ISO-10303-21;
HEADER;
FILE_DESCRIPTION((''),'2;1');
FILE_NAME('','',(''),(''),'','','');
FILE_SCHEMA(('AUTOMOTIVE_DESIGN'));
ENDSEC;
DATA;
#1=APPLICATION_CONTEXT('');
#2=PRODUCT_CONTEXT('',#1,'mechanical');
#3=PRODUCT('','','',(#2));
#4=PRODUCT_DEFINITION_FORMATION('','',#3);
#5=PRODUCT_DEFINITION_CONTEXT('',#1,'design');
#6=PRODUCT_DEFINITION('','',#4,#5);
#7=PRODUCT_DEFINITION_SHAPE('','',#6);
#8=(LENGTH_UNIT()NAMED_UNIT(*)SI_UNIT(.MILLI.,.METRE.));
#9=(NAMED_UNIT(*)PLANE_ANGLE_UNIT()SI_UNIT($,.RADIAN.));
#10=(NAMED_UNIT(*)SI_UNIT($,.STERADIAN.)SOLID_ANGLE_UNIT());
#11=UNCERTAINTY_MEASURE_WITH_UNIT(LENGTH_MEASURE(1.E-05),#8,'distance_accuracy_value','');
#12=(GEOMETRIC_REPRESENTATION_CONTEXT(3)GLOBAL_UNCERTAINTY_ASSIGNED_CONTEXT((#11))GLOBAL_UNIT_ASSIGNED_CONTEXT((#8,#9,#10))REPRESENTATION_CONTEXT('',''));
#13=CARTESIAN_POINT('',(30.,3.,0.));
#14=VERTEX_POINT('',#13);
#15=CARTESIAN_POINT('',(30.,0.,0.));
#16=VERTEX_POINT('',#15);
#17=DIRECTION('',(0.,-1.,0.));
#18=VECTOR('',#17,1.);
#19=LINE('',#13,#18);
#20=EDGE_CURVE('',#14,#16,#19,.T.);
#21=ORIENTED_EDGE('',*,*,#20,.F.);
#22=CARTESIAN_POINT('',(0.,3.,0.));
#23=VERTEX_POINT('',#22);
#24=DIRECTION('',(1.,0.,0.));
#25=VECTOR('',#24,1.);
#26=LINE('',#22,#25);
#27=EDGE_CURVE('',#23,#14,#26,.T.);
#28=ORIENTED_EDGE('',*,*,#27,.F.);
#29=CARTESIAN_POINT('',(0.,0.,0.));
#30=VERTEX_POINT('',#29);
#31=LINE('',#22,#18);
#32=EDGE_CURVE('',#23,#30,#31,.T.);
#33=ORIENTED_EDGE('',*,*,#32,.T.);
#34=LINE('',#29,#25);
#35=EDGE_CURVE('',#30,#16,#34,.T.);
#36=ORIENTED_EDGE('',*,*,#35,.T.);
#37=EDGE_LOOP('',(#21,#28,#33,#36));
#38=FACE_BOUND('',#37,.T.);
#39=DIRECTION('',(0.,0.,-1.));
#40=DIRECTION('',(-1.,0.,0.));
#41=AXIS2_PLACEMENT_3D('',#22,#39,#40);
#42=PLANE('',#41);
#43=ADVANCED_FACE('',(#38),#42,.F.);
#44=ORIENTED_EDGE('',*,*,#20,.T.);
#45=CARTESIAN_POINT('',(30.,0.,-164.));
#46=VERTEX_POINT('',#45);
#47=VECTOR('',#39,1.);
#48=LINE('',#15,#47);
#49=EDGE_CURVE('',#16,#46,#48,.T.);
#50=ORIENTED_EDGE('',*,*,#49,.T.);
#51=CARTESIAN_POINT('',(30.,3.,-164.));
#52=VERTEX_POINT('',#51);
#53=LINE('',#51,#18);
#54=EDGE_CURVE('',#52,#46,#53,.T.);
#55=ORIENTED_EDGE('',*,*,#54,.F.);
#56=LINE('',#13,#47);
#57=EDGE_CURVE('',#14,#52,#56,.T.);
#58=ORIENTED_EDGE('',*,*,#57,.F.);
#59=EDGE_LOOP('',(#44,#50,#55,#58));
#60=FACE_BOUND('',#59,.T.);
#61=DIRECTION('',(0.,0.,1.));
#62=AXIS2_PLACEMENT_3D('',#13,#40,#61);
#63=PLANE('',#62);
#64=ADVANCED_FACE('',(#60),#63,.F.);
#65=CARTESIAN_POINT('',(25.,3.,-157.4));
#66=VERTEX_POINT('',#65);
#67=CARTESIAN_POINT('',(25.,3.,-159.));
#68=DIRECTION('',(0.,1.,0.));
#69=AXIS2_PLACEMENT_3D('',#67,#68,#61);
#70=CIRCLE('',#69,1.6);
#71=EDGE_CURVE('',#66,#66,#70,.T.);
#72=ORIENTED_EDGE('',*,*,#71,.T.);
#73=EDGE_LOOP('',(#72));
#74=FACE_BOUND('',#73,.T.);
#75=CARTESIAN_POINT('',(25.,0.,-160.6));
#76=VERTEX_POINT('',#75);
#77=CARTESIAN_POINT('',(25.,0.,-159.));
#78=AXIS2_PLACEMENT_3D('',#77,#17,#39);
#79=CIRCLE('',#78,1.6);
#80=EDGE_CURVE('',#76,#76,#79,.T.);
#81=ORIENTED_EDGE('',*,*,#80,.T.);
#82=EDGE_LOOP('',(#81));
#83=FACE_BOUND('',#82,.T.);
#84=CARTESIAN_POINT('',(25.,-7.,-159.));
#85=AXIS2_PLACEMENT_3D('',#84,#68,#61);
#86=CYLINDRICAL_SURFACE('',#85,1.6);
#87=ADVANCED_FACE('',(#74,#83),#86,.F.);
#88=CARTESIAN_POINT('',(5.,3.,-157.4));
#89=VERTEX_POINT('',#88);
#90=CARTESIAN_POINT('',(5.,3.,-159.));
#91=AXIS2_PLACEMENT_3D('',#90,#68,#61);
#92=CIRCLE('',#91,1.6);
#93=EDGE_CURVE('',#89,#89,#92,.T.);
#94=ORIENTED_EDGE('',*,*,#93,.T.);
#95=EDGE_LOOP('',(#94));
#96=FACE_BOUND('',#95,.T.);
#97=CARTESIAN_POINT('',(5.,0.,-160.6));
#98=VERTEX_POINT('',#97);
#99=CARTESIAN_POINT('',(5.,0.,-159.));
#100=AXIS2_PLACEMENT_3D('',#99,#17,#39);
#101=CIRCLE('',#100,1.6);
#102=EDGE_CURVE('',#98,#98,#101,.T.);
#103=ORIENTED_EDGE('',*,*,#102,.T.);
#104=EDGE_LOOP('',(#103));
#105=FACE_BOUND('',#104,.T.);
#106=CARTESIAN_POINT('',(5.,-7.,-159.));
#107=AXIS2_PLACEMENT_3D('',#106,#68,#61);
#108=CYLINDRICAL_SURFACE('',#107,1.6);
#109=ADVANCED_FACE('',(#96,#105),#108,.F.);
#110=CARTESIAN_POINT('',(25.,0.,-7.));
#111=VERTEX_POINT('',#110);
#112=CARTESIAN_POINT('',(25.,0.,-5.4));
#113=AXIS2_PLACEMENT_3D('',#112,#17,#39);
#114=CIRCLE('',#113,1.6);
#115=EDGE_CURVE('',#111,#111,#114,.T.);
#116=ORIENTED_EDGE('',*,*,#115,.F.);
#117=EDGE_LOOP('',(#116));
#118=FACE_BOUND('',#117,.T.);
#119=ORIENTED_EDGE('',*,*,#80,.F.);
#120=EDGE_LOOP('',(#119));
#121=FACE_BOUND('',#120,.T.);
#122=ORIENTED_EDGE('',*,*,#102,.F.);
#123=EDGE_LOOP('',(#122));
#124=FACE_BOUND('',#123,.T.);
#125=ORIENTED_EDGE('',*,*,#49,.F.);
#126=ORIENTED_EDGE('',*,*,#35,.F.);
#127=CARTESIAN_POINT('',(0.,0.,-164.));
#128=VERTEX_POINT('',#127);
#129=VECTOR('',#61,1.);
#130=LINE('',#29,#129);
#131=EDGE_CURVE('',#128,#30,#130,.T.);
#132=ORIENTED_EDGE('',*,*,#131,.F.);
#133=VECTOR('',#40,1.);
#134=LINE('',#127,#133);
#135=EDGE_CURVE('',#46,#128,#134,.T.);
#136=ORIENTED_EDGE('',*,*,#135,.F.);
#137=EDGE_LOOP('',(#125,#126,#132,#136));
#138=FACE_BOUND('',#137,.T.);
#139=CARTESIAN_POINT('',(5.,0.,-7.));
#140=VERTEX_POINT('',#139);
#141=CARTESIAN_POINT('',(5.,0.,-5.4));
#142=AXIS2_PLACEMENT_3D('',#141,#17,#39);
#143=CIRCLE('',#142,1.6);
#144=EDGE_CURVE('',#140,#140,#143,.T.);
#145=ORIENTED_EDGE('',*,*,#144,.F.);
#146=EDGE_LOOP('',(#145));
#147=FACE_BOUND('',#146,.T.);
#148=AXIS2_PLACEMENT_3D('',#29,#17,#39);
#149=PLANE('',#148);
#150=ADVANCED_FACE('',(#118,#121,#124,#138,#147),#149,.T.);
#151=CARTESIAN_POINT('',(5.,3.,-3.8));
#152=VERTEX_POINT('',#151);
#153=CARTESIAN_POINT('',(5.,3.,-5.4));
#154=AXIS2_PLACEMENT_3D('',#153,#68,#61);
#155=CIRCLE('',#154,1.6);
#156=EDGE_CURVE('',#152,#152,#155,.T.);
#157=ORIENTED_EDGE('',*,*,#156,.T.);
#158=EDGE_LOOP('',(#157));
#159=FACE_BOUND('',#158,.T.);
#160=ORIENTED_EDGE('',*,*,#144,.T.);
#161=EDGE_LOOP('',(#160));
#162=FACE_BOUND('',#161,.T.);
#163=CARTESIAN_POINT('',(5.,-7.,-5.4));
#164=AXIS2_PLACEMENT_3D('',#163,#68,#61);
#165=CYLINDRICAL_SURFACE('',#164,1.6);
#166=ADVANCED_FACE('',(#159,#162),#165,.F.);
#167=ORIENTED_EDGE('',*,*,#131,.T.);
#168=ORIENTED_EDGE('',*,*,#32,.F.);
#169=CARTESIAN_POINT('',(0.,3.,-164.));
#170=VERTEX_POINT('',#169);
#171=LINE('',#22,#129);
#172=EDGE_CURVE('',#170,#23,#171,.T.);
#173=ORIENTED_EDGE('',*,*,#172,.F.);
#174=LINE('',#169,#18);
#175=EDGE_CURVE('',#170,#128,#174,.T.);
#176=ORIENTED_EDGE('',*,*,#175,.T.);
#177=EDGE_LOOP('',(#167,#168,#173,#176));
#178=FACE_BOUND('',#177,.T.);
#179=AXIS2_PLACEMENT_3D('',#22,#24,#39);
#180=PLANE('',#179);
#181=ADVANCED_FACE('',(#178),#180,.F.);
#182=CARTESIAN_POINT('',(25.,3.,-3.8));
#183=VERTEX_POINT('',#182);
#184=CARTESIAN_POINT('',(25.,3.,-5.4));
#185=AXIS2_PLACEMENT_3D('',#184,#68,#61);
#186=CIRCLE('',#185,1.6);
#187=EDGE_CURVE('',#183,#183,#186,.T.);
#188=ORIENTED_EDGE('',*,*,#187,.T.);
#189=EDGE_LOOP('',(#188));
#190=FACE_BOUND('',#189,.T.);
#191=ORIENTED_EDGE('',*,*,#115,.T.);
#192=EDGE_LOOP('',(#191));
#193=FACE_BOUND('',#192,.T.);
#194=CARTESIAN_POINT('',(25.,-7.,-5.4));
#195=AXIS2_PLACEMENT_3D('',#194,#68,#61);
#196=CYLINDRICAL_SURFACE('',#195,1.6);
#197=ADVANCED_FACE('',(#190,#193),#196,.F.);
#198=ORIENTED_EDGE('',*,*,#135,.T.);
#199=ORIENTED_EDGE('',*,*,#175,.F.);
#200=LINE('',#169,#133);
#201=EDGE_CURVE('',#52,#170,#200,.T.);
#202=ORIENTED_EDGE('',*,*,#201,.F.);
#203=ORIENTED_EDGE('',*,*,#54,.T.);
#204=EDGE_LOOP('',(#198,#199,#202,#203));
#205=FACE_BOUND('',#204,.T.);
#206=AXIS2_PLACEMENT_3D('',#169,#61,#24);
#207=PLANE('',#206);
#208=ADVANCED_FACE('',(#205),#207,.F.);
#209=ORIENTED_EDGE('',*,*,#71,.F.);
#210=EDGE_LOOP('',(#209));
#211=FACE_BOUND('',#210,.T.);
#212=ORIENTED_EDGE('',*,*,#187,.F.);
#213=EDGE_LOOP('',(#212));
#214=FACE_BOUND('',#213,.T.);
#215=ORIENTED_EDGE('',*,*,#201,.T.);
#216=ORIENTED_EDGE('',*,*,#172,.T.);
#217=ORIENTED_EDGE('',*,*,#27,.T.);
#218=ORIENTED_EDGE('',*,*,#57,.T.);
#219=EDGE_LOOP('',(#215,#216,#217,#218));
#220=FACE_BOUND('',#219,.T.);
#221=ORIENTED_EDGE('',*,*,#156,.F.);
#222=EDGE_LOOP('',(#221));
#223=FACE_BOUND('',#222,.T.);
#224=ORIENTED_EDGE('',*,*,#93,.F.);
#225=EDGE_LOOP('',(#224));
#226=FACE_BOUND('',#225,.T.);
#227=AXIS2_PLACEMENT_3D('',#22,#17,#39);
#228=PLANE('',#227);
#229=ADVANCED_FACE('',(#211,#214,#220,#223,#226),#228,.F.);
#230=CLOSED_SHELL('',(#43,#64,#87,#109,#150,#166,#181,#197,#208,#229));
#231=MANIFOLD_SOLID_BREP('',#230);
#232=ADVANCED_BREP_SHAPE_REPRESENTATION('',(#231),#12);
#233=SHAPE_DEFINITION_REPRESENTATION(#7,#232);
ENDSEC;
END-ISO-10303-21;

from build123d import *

# Parameters (mm, degrees)
SKETCH1_W           = 30
SKETCH1_H           = 164
BOSS_EXTRUDE1_DEPTH = 3
SKETCH2_R           = 1.6
CUT_EXTRUDE1_DEPTH  = 10


with BuildPart() as part:
    # Sketch1 → Boss-Extrude1 (new body)
    with BuildSketch(Plane(origin=(0, 0, 0), x_dir=(1, 0, 0), z_dir=(0, 1, 0))):
        with Locations((15, 82)):
            Rectangle(SKETCH1_W, SKETCH1_H)
    extrude(amount=BOSS_EXTRUDE1_DEPTH)

    # Sketch2 → Cut-Extrude1 (cut)
    with BuildSketch(Plane(origin=(0, 3, 0), x_dir=(1, 0, 0), z_dir=(0, 1, 0))):
        with Locations(Location((25, 159, 0), (0, 0, 270))):
            Circle(SKETCH2_R)
        with Locations(Location((25, 5.4, 0), (0, 0, 270))):
            Circle(SKETCH2_R)
        with Locations(Location((5, 159, 0), (0, 0, 270))):
            Circle(SKETCH2_R)
        with Locations(Location((5, 5.4, 0), (0, 0, 270))):
            Circle(SKETCH2_R)
    extrude(amount=-CUT_EXTRUDE1_DEPTH, mode=Mode.SUBTRACT)


solid = part.part
